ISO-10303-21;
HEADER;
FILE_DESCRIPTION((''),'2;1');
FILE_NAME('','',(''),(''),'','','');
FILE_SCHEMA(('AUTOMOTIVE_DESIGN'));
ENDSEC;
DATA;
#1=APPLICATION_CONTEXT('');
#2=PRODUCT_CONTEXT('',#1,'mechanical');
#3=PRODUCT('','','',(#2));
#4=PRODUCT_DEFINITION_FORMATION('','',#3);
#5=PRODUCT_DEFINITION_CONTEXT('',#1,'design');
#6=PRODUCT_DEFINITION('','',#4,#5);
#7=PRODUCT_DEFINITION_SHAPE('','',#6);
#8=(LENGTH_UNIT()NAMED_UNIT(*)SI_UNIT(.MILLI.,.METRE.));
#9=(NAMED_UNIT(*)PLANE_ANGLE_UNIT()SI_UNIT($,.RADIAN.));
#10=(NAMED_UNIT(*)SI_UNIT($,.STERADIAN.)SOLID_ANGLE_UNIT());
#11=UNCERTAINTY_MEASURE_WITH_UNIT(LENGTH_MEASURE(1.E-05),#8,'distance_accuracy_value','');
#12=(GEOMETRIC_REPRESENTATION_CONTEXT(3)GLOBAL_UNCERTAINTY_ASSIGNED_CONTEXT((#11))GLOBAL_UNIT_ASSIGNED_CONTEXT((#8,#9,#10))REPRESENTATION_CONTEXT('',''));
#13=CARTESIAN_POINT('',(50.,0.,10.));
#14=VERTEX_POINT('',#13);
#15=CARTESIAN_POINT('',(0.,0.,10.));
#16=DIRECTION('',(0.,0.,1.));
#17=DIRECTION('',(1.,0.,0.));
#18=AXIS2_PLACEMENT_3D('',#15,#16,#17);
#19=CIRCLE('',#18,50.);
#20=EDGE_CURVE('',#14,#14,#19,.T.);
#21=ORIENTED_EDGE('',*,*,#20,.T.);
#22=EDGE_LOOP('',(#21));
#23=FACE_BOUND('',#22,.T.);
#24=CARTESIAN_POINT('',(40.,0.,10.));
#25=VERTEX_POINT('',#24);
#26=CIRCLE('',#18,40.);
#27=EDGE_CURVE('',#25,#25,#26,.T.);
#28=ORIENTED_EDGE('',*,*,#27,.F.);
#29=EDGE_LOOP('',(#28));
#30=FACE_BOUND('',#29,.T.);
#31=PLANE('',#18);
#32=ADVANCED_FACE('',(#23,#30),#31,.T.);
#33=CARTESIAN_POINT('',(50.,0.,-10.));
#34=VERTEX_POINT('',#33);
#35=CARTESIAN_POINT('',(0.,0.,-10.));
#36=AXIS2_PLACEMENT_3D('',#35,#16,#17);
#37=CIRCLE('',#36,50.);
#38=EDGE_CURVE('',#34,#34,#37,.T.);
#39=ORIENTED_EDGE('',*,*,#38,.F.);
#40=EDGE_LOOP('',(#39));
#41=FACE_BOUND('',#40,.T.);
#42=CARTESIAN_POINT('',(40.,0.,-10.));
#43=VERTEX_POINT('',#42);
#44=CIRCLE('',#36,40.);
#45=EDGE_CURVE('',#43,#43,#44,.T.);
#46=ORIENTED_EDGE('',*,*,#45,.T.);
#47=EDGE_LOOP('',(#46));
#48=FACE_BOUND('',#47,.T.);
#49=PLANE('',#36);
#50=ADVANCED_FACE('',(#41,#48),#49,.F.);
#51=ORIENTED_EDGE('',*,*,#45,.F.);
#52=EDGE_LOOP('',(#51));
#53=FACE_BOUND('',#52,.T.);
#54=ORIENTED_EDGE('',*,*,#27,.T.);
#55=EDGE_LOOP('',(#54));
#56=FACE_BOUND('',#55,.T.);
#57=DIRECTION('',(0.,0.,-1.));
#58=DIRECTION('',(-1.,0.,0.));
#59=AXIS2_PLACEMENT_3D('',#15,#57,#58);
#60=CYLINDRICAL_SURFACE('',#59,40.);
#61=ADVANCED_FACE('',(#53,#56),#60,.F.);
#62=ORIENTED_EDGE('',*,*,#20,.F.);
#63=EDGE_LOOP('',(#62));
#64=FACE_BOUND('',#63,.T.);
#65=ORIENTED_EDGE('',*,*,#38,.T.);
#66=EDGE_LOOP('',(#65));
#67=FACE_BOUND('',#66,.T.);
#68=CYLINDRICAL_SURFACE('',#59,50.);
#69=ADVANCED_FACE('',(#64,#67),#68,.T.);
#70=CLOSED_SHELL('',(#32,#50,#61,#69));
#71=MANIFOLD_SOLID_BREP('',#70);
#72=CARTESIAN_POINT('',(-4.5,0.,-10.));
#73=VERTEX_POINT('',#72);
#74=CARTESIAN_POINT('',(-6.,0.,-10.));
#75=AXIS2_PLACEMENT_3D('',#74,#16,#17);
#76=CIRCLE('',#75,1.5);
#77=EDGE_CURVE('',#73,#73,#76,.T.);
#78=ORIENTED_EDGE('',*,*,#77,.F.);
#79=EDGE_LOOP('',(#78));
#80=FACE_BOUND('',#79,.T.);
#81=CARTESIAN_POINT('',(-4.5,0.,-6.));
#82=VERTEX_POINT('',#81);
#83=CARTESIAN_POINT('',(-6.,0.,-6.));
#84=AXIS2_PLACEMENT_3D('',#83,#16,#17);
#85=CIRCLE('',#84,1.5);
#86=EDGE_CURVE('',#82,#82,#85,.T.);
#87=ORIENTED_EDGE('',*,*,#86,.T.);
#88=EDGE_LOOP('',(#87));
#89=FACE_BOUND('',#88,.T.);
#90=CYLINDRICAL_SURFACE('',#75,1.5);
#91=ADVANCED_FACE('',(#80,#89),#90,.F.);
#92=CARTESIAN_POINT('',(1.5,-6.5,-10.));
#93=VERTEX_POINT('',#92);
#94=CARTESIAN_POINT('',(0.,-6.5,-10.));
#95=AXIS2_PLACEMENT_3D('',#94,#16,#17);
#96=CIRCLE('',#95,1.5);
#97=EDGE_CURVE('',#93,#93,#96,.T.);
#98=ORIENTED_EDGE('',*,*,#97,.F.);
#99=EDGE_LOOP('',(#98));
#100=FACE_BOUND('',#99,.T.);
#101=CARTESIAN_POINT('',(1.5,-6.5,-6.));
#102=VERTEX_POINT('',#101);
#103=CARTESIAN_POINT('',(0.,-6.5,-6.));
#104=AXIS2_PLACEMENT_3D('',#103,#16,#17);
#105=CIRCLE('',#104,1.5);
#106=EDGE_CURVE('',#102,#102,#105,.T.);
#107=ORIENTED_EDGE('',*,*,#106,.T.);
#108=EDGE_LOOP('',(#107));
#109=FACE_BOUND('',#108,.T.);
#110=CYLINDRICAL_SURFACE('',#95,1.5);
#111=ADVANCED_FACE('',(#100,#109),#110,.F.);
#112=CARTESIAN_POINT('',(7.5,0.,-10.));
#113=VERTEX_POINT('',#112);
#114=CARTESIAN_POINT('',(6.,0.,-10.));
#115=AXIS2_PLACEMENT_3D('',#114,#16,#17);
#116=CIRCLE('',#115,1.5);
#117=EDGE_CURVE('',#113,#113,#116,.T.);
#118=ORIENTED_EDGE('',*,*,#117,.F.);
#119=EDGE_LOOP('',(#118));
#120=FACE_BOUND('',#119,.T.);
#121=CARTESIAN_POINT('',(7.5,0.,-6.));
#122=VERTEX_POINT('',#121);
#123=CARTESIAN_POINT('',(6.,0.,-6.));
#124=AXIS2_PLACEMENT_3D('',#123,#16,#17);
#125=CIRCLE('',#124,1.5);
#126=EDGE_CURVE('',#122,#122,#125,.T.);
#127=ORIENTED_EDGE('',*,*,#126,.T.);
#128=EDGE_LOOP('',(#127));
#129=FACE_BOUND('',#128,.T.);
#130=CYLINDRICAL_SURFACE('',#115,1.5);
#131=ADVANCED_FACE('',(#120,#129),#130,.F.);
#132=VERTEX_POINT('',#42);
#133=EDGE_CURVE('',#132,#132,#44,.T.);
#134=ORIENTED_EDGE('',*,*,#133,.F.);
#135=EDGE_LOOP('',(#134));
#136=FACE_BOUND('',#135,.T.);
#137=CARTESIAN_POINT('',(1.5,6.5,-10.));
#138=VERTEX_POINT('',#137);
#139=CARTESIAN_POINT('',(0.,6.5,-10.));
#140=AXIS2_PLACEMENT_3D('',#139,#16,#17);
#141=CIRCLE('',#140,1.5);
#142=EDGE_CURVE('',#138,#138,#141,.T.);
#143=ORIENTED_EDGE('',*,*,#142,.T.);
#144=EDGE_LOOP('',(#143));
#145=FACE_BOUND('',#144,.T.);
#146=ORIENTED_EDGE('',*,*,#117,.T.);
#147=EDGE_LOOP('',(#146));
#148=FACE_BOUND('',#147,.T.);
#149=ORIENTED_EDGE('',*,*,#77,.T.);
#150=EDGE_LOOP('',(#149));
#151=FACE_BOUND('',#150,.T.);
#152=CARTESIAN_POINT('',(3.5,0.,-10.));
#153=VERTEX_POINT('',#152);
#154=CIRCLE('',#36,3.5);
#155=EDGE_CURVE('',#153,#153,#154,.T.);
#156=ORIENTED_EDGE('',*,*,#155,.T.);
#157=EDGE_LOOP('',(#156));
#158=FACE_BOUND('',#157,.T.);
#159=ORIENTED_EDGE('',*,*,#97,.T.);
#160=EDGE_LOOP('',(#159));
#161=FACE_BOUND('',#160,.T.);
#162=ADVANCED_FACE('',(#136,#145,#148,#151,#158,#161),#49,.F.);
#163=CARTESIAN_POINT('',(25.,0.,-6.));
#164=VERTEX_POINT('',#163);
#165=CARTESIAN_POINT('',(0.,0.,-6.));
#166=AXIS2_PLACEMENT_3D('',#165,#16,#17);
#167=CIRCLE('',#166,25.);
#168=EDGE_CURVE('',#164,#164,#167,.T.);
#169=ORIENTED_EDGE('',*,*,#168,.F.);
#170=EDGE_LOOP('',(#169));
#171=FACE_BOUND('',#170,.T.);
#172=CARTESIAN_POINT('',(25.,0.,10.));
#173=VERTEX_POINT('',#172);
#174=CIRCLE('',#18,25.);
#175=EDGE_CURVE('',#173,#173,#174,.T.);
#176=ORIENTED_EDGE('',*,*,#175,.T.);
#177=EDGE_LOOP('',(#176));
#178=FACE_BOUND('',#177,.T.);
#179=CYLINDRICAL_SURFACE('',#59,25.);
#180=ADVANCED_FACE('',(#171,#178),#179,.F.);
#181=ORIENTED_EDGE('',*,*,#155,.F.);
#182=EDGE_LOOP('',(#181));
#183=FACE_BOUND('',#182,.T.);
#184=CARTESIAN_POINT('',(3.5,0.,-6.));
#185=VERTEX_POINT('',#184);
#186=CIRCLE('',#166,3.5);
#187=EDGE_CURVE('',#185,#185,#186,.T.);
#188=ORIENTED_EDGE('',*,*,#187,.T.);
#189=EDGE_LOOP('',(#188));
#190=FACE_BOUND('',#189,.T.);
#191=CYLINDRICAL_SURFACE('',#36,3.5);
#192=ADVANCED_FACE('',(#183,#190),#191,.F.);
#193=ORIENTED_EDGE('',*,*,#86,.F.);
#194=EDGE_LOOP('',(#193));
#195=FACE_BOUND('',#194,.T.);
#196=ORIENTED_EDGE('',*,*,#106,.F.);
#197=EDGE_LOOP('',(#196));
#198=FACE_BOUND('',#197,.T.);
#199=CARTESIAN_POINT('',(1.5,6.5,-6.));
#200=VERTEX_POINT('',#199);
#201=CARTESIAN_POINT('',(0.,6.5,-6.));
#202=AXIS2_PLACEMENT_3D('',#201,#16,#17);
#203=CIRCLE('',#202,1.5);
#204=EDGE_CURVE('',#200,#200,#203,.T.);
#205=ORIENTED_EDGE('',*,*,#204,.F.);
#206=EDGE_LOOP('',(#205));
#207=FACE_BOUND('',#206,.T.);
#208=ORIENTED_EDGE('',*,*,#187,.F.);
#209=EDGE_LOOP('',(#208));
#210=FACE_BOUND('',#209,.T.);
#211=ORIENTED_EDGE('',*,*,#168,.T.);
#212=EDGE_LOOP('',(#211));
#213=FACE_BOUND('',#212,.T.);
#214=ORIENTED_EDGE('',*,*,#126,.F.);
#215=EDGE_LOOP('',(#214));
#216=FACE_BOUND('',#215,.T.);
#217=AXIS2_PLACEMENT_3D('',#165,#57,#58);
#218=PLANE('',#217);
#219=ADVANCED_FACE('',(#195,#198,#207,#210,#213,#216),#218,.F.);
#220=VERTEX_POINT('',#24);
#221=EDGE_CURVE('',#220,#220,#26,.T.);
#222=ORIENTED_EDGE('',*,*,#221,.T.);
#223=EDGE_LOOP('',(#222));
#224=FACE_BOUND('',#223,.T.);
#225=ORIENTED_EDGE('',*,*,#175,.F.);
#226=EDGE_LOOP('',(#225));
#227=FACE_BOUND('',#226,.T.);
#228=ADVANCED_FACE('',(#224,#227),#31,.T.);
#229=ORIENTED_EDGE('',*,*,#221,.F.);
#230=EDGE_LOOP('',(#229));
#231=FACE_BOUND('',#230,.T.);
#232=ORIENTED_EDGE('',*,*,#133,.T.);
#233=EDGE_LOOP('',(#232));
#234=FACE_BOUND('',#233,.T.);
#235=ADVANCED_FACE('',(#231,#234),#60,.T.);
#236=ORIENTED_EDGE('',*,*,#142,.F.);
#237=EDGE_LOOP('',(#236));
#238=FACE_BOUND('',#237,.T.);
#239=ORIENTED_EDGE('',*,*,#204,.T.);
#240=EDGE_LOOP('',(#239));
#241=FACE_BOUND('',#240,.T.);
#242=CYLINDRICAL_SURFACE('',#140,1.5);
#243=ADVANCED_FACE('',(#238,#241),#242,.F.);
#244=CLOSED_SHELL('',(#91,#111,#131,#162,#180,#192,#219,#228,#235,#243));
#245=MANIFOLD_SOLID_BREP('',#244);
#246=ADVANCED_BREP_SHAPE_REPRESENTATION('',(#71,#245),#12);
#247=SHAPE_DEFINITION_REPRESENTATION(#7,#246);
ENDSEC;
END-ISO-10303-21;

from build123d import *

# Parameters (mm, degrees)
SKETCH_1_R          = 50
SKETCH_1_R_2        = 40
EXTRUDE_1_DEPTH     = 10
SKETCH_3_R          = 40
SKETCH_3_R_2        = 37
EXTRUDE_2_DEPTH     = 10
SKETCH_4_R          = 37
EXTRUDE_3_DEPTH     = 4
SKETCH_5_R          = 3.5
SKETCH_5_R_2        = 1.5
CUT_EXTRUDE_1_DEPTH = 73.498275842
SKETCH_6_R          = 37
SKETCH_6_R_2        = 25
EXTRUDE_4_DEPTH     = 16


with BuildPart() as part:
    # 草图1 → 凸台-拉伸1 (new, symmetric)
    with BuildSketch(Plane.XY):
        Circle(SKETCH_1_R)
        Circle(SKETCH_1_R_2, mode=Mode.SUBTRACT)
    extrude(amount=EXTRUDE_1_DEPTH, both=True)


with BuildPart() as body_2:
    # 草图3 → 凸台-拉伸2 (new, symmetric)
    with BuildSketch(Plane.XY):
        Circle(SKETCH_3_R)
        Circle(SKETCH_3_R_2, mode=Mode.SUBTRACT)
    extrude(amount=EXTRUDE_2_DEPTH, both=True)

    # 草图4 → 凸台-拉伸3 (add)
    with BuildSketch(Plane(origin=(0, 0, -10), x_dir=(-1, 0, 0), z_dir=(0, 0, -1))):
        Circle(SKETCH_4_R)
    extrude(amount=-EXTRUDE_3_DEPTH)

    # 草图5 → 切除-拉伸1 (cut, through all)
    with BuildSketch(Plane.XY.offset(-6)):
        Circle(SKETCH_5_R)
        with Locations((0, 6.5)):
            Circle(SKETCH_5_R_2)
        with Locations((-6, 0)):
            Circle(SKETCH_5_R_2)
        with Locations((6, 0)):
            Circle(SKETCH_5_R_2)
        with Locations((0, -6.5)):
            Circle(SKETCH_5_R_2)
    extrude(amount=-CUT_EXTRUDE_1_DEPTH, mode=Mode.SUBTRACT)

    # 草图6 → 凸台-拉伸4 (add)
    with BuildSketch(Plane.XY.offset(-6)):
        Circle(SKETCH_6_R)
        Circle(SKETCH_6_R_2, mode=Mode.SUBTRACT)
    extrude(amount=EXTRUDE_4_DEPTH)


solid = Compound([part.part, body_2.part])
